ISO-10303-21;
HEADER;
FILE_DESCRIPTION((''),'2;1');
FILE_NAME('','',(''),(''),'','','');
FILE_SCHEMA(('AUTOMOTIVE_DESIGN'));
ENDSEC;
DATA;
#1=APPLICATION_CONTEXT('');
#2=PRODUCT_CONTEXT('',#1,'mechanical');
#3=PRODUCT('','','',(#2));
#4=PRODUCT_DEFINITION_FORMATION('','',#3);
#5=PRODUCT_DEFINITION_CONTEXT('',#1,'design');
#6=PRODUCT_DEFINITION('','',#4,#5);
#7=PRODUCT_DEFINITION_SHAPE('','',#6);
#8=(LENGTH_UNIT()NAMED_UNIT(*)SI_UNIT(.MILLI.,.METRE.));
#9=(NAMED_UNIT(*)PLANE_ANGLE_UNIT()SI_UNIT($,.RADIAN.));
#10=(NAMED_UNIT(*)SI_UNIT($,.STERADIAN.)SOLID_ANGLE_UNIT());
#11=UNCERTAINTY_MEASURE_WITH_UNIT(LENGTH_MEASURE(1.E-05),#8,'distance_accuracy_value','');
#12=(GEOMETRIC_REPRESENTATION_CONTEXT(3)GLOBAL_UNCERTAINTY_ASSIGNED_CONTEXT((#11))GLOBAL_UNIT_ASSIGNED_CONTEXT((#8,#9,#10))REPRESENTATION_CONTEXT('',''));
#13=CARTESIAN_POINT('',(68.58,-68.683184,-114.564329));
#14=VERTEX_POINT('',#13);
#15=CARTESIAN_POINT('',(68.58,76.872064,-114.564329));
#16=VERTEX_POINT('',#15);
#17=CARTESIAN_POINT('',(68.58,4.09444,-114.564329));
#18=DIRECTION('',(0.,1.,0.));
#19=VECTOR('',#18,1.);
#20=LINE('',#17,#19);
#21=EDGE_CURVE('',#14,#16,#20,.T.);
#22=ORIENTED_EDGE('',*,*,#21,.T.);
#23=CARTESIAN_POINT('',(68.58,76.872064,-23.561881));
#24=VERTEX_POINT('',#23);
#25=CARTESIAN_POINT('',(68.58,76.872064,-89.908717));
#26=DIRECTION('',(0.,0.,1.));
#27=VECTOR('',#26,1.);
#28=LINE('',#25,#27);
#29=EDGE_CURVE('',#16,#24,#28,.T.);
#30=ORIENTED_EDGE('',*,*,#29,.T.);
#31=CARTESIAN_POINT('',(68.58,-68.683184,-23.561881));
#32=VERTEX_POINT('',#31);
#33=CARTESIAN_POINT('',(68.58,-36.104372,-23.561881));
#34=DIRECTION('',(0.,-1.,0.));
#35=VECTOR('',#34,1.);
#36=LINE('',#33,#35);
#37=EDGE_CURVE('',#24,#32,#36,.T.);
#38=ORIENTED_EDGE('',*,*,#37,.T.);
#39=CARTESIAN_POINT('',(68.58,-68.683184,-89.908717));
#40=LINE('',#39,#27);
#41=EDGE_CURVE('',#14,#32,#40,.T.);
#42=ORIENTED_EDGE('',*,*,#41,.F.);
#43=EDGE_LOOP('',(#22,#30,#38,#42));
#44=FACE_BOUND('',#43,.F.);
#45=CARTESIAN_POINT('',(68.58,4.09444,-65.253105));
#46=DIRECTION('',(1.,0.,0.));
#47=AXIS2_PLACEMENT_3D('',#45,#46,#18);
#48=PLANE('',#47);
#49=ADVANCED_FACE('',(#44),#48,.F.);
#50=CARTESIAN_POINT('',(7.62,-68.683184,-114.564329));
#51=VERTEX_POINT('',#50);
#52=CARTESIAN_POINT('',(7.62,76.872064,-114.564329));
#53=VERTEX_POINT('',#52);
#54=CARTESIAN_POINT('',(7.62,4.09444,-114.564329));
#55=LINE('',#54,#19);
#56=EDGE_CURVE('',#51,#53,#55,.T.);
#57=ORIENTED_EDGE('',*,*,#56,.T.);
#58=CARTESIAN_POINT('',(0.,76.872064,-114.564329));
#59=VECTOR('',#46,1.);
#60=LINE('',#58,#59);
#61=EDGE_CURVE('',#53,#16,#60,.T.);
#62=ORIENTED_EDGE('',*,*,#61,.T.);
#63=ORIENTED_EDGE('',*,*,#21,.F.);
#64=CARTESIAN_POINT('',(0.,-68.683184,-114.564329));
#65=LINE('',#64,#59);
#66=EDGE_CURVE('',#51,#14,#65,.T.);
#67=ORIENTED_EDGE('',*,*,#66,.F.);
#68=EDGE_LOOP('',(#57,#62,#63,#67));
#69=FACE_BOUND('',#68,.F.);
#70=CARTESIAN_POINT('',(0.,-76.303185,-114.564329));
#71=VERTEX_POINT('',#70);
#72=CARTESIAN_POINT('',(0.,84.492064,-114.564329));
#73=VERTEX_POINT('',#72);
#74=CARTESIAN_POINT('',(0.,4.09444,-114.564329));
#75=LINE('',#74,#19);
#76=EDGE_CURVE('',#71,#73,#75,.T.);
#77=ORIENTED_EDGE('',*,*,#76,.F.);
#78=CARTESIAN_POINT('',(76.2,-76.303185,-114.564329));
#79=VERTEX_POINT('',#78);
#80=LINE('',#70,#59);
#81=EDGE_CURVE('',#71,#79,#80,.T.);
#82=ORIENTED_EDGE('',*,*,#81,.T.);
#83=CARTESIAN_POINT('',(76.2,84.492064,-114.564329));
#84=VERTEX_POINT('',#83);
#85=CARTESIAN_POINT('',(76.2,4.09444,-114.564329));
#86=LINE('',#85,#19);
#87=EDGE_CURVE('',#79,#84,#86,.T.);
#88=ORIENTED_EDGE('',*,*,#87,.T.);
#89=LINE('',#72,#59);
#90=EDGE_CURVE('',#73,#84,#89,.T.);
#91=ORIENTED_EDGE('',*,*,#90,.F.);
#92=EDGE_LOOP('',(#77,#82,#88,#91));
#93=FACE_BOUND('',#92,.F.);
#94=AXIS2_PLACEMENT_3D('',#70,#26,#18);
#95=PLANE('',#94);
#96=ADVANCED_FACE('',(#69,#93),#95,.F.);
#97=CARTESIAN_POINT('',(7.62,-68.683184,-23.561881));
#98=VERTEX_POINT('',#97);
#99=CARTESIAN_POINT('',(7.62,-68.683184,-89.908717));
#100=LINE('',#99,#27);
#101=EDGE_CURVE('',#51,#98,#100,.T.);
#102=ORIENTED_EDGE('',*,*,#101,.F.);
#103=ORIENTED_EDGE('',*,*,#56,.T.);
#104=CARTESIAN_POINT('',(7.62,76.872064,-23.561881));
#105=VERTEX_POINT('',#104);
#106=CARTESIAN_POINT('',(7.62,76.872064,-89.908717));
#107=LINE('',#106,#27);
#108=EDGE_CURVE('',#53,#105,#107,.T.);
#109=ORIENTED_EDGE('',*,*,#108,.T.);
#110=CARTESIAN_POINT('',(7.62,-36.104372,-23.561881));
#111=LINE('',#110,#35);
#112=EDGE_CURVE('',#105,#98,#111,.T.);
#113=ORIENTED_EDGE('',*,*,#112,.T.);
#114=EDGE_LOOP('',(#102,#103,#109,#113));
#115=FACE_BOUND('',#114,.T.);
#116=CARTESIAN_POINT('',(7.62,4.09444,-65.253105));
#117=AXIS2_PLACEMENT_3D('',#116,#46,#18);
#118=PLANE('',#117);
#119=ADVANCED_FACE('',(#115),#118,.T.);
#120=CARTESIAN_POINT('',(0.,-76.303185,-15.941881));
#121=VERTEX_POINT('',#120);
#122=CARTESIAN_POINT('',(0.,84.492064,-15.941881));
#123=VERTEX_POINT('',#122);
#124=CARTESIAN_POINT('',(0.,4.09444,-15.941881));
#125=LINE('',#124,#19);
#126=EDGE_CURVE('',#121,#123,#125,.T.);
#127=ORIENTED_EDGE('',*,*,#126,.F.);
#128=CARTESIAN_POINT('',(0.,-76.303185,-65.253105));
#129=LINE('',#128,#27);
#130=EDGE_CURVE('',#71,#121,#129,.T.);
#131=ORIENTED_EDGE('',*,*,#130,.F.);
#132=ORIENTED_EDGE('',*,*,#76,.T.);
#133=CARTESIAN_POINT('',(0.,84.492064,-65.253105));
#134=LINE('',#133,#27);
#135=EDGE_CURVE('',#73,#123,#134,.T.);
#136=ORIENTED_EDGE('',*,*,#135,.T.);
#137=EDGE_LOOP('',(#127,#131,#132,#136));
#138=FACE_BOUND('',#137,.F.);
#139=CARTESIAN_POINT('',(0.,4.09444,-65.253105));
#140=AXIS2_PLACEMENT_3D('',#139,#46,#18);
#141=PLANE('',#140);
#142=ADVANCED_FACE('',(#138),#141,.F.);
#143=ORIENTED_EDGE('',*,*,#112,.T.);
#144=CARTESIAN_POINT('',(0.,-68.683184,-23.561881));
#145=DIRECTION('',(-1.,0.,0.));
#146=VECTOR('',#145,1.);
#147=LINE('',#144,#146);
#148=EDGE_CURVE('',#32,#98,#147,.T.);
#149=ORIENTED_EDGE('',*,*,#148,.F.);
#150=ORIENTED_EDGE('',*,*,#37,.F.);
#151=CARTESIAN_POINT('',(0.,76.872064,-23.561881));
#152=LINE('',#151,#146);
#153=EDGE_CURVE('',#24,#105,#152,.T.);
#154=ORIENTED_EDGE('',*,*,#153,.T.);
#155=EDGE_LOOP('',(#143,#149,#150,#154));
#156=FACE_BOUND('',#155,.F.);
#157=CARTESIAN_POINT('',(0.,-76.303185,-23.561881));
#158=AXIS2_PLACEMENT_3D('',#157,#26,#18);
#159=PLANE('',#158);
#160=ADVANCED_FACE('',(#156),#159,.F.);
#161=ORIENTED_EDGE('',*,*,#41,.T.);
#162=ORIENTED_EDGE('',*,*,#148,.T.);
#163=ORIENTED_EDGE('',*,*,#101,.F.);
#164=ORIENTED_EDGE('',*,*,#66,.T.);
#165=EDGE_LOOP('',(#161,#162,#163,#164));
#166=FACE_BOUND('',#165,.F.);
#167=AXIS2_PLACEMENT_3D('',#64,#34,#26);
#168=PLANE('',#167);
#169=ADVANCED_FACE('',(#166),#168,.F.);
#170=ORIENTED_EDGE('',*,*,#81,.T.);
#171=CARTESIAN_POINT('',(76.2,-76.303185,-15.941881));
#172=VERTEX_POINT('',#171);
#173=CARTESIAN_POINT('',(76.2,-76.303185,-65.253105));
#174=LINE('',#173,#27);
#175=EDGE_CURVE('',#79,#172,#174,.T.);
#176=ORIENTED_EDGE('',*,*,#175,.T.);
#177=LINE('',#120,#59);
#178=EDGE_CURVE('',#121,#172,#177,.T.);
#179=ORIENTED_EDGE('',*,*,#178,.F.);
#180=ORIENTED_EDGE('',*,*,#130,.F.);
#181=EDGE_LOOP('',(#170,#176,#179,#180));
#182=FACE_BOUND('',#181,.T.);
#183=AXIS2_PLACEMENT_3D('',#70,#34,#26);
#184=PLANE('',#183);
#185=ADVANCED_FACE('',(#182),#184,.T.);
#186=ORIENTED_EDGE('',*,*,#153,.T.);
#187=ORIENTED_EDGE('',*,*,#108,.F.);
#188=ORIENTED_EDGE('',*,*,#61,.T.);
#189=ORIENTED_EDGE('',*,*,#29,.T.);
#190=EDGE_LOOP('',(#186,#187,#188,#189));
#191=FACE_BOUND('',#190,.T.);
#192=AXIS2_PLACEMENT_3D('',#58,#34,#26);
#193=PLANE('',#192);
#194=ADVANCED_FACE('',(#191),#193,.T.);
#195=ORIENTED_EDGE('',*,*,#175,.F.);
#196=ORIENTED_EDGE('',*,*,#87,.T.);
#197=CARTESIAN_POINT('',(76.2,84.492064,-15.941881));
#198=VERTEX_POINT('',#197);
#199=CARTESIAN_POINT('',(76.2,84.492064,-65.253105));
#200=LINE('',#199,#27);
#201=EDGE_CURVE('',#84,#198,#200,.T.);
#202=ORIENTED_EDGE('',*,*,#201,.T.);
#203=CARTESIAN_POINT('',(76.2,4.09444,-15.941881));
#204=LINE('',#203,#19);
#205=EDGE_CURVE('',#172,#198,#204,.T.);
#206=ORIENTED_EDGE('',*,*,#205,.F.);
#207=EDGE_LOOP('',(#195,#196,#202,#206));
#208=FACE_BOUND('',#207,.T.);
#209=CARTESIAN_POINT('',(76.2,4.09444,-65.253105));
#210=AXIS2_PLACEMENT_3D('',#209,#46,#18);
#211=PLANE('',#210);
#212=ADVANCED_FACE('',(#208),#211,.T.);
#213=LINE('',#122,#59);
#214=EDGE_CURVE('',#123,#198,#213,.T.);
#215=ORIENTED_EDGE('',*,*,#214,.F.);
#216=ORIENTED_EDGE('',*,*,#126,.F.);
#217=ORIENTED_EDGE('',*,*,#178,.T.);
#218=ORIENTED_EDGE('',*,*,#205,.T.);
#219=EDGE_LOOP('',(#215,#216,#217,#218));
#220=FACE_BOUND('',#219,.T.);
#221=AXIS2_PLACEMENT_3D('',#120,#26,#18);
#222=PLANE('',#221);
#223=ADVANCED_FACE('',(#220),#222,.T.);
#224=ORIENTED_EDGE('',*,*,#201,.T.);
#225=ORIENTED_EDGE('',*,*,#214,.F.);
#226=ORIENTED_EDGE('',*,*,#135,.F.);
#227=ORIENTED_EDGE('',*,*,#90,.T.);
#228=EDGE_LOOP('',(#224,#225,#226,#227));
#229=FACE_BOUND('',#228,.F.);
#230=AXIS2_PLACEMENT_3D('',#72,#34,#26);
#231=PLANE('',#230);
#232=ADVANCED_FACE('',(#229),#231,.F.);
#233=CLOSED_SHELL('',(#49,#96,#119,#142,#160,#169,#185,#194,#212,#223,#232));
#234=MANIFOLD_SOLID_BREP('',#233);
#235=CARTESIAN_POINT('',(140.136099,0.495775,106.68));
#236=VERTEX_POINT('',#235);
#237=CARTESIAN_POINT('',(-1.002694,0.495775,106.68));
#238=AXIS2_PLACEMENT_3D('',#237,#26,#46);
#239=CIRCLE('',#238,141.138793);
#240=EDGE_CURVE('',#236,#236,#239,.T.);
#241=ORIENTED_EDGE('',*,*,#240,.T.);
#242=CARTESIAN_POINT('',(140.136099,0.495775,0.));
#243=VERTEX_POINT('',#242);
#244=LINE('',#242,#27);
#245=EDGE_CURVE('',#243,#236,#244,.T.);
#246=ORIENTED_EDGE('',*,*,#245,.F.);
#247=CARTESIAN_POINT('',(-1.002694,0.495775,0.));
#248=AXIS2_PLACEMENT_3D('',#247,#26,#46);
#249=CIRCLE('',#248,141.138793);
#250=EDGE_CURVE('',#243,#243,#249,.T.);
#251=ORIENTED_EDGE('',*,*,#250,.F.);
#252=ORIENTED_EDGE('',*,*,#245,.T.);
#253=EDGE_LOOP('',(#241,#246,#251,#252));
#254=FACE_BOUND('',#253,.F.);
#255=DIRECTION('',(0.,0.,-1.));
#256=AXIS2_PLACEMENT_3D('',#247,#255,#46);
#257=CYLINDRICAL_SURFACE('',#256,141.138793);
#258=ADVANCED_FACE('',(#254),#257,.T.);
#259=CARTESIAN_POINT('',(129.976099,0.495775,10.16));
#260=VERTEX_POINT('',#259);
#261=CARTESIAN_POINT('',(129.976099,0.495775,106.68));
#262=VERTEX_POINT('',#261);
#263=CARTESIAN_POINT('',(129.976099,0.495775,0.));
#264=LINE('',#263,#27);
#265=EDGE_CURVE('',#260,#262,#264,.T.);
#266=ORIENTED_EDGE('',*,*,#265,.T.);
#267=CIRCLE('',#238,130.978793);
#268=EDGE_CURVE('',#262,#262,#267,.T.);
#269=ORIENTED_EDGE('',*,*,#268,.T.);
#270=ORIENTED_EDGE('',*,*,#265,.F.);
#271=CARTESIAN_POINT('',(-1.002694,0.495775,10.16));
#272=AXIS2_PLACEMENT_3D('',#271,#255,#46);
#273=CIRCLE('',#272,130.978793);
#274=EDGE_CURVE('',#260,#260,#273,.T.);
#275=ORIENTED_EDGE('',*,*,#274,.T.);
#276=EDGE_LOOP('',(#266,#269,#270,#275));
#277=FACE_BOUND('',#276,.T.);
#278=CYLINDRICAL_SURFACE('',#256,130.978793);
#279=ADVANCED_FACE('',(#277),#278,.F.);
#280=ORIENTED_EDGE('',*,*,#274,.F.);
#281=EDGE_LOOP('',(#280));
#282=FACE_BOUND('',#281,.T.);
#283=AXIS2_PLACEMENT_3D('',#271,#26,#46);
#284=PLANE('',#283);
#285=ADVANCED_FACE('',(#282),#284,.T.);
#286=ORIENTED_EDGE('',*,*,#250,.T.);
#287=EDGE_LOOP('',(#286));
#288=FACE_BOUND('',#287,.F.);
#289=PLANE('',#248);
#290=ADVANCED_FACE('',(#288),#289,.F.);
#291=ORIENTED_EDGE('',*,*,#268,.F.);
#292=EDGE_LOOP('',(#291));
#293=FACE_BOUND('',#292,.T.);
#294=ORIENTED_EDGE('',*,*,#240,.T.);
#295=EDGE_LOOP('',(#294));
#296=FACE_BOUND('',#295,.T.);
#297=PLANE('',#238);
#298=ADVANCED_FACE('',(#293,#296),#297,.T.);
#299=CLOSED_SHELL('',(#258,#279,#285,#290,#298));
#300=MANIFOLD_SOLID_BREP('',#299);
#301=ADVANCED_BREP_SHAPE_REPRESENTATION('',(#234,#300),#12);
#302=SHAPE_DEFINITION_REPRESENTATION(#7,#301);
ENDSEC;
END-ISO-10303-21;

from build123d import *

# Parameters (mm, degrees)
F0_R     = 141.138793
F1_DEPTH = 106.68
F2_T     = -10.16
F3_W     = 160.795249
F3_H     = 98.622448
F4_DEPTH = 76.2
F5_T     = -7.62


with BuildPart() as f1:
    # F0 (on Top) → F1 (new body)
    with BuildSketch(Plane.XY):
        with Locations((-1.002694, 0.495775)):
            Circle(F0_R)
    extrude(amount=F1_DEPTH)

    # F2
    f2_openings = [f1.faces().sort_by_distance(p)[0] for p in [
        (-1.002694, 0.495775, 106.68),
    ]]
    offset(amount=F2_T, openings=f2_openings)


with BuildPart() as f4:
    # F3 (on Right) → F4 (new body)
    with BuildSketch(Plane.YZ):
        with Locations((4.09444, -65.253105)):
            Rectangle(F3_W, F3_H)
    extrude(amount=F4_DEPTH)

    # F5
    f5_openings = [f4.faces().sort_by_distance(p)[0] for p in [
        (38.1, 4.09444, -114.564329),
    ]]
    offset(amount=F5_T, openings=f5_openings)


solid = Compound([f1.part, f4.part])
